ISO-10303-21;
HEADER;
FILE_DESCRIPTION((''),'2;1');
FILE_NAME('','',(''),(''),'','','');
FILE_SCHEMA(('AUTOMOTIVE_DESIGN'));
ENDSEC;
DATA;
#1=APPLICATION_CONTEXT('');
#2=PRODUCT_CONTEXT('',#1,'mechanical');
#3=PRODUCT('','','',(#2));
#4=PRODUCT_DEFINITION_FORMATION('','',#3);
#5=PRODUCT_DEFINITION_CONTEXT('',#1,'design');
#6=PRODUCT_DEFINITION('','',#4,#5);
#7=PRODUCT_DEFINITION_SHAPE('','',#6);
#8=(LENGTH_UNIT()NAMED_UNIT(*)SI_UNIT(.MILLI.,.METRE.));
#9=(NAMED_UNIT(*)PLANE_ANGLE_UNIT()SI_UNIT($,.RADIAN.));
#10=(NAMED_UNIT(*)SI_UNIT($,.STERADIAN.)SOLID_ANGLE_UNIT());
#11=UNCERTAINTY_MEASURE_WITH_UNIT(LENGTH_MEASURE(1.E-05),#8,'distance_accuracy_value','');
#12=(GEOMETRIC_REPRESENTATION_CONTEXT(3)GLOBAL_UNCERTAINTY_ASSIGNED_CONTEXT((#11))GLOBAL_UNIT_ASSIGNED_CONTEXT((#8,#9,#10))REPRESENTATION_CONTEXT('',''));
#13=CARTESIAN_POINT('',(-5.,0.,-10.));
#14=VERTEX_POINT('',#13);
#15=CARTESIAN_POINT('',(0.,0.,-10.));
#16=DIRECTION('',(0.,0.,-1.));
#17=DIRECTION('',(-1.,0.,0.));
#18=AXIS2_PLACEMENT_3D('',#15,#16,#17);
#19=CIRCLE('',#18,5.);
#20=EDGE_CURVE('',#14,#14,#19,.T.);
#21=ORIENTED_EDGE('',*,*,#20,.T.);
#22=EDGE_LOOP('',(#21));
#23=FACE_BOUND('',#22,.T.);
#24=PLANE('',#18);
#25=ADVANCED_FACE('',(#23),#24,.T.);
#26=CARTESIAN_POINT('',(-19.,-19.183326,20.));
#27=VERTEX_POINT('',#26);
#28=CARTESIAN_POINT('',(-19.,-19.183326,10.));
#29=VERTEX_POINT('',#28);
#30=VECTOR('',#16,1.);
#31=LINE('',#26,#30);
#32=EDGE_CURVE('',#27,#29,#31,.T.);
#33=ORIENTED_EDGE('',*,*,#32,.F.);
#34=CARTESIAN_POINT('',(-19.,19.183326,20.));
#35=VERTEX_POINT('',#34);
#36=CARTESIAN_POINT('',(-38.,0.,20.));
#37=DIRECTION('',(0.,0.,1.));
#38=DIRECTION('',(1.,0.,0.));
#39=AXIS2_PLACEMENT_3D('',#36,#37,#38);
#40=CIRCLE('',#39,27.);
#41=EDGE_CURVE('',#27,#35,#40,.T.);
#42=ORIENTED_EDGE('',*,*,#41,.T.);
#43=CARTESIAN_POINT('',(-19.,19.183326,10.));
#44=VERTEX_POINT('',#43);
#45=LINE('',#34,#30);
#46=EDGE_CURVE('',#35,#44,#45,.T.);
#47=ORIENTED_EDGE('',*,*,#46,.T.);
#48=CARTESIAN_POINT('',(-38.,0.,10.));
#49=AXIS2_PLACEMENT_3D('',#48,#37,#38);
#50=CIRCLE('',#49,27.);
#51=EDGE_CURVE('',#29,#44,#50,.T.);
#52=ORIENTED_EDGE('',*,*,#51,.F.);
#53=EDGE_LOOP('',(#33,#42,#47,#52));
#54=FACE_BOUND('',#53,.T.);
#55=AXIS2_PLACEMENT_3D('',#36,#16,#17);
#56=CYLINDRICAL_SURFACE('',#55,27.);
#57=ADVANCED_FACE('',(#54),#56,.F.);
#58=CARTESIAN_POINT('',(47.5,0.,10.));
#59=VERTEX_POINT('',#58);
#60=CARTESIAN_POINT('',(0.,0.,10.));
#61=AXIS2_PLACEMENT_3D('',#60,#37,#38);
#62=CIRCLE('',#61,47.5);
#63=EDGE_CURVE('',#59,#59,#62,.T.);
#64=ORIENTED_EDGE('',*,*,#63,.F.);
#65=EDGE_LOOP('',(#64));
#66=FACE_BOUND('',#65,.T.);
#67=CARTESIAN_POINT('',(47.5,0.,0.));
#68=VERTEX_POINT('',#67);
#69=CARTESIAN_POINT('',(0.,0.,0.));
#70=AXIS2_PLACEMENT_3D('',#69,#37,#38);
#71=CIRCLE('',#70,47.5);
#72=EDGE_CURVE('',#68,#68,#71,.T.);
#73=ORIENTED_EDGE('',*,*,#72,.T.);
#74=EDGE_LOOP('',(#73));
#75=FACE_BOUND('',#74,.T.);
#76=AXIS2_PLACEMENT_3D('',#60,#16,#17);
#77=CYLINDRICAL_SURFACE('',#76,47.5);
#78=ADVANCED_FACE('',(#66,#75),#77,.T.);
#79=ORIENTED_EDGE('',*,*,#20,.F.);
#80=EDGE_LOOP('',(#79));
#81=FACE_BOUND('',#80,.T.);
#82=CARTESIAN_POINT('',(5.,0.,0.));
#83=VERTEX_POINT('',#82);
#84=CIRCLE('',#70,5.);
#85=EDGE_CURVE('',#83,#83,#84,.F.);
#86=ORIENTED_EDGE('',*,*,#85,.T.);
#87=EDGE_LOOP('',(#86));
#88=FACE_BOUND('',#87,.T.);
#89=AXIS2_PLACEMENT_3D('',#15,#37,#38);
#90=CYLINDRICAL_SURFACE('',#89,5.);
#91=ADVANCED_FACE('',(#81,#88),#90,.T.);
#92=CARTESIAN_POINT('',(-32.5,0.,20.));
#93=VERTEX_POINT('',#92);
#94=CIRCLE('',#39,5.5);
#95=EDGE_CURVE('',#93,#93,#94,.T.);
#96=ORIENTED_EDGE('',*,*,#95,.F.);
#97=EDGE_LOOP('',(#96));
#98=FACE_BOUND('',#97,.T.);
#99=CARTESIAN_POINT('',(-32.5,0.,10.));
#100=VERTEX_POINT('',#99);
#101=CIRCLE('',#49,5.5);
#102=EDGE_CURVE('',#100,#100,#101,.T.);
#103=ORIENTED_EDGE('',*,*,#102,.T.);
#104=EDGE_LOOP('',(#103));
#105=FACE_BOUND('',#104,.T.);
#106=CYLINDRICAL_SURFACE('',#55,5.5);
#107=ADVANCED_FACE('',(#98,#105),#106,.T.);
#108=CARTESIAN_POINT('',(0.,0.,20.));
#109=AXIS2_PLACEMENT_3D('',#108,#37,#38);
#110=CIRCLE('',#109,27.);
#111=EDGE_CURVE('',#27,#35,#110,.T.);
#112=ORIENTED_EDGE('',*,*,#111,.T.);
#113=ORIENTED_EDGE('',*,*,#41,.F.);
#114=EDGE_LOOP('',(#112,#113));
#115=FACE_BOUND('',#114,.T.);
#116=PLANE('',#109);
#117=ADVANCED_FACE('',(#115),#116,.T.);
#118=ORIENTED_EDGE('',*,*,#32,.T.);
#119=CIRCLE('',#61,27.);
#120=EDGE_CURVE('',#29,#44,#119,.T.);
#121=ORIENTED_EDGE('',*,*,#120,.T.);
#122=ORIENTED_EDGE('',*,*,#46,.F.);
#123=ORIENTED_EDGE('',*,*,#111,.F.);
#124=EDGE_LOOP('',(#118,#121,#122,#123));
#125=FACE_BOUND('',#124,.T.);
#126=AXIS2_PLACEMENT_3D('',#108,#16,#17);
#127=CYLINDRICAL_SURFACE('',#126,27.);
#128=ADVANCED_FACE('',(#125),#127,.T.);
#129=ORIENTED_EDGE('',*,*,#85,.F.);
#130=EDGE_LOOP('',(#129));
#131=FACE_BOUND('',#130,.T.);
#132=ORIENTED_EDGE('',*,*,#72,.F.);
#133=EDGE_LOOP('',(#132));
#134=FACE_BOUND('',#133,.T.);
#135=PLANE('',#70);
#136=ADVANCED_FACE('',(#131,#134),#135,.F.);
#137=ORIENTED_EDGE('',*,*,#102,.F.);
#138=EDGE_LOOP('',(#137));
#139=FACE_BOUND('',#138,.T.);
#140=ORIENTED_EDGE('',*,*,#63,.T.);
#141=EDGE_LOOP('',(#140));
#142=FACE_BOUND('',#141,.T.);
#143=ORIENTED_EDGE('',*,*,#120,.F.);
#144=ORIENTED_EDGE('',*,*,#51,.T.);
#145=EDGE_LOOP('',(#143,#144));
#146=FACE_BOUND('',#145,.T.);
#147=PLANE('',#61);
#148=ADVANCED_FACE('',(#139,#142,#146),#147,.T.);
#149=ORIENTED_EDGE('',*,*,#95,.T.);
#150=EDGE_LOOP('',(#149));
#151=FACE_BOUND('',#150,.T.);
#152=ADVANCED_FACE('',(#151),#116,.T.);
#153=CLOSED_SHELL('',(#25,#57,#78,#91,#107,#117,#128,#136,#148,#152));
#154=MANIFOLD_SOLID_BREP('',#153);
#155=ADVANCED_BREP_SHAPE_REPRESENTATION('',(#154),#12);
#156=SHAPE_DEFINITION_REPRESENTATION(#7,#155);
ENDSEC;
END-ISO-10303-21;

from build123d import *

# Parameters (mm, degrees)
CROQUIS2_R              = 47.5
CROQUIS2_R_2            = 5.5
SALIENTE_EXTRUIR1_DEPTH = 10
CROQUIS2_4_R            = 5.5
SALIENTE_EXTRUIR2_DEPTH = 20
CROQUIS6_R              = 5
SALIENTE_EXTRUIR3_DEPTH = 10


with BuildPart() as part:
    # Croquis2 → Saliente-Extruir1 (new body)
    with BuildSketch(Plane.XY):
        Circle(CROQUIS2_R)
        with Locations((-38, 0)):
            Circle(CROQUIS2_R_2, mode=Mode.SUBTRACT)
        with BuildLine():
            ThreePointArc((-19, 19.183326093), (27, 0), (-19, -19.183326093))
            ThreePointArc((-19, -19.183326093), (-11, 0), (-19, 19.183326093))
        make_face(mode=Mode.SUBTRACT)
    extrude(amount=SALIENTE_EXTRUIR1_DEPTH)

    # Croquis2<4> → Saliente-Extruir2 (add)
    with BuildSketch(Plane.XY):
        with BuildLine():
            ThreePointArc((-19, 19.183326093), (-11, 0), (-19, -19.183326093))
            ThreePointArc((-19, -19.183326093), (27, 0), (-19, 19.183326093))
        make_face()
        with Locations((-38, 0)):
            Circle(CROQUIS2_4_R)
    extrude(amount=SALIENTE_EXTRUIR2_DEPTH)

    # Croquis6 → Saliente-Extruir3 (add)
    with BuildSketch(Plane(origin=(0, 0, 0), x_dir=(-1, 0, 0), z_dir=(0, 0, -1))):
        Circle(CROQUIS6_R)
    extrude(amount=SALIENTE_EXTRUIR3_DEPTH)


solid = part.part
